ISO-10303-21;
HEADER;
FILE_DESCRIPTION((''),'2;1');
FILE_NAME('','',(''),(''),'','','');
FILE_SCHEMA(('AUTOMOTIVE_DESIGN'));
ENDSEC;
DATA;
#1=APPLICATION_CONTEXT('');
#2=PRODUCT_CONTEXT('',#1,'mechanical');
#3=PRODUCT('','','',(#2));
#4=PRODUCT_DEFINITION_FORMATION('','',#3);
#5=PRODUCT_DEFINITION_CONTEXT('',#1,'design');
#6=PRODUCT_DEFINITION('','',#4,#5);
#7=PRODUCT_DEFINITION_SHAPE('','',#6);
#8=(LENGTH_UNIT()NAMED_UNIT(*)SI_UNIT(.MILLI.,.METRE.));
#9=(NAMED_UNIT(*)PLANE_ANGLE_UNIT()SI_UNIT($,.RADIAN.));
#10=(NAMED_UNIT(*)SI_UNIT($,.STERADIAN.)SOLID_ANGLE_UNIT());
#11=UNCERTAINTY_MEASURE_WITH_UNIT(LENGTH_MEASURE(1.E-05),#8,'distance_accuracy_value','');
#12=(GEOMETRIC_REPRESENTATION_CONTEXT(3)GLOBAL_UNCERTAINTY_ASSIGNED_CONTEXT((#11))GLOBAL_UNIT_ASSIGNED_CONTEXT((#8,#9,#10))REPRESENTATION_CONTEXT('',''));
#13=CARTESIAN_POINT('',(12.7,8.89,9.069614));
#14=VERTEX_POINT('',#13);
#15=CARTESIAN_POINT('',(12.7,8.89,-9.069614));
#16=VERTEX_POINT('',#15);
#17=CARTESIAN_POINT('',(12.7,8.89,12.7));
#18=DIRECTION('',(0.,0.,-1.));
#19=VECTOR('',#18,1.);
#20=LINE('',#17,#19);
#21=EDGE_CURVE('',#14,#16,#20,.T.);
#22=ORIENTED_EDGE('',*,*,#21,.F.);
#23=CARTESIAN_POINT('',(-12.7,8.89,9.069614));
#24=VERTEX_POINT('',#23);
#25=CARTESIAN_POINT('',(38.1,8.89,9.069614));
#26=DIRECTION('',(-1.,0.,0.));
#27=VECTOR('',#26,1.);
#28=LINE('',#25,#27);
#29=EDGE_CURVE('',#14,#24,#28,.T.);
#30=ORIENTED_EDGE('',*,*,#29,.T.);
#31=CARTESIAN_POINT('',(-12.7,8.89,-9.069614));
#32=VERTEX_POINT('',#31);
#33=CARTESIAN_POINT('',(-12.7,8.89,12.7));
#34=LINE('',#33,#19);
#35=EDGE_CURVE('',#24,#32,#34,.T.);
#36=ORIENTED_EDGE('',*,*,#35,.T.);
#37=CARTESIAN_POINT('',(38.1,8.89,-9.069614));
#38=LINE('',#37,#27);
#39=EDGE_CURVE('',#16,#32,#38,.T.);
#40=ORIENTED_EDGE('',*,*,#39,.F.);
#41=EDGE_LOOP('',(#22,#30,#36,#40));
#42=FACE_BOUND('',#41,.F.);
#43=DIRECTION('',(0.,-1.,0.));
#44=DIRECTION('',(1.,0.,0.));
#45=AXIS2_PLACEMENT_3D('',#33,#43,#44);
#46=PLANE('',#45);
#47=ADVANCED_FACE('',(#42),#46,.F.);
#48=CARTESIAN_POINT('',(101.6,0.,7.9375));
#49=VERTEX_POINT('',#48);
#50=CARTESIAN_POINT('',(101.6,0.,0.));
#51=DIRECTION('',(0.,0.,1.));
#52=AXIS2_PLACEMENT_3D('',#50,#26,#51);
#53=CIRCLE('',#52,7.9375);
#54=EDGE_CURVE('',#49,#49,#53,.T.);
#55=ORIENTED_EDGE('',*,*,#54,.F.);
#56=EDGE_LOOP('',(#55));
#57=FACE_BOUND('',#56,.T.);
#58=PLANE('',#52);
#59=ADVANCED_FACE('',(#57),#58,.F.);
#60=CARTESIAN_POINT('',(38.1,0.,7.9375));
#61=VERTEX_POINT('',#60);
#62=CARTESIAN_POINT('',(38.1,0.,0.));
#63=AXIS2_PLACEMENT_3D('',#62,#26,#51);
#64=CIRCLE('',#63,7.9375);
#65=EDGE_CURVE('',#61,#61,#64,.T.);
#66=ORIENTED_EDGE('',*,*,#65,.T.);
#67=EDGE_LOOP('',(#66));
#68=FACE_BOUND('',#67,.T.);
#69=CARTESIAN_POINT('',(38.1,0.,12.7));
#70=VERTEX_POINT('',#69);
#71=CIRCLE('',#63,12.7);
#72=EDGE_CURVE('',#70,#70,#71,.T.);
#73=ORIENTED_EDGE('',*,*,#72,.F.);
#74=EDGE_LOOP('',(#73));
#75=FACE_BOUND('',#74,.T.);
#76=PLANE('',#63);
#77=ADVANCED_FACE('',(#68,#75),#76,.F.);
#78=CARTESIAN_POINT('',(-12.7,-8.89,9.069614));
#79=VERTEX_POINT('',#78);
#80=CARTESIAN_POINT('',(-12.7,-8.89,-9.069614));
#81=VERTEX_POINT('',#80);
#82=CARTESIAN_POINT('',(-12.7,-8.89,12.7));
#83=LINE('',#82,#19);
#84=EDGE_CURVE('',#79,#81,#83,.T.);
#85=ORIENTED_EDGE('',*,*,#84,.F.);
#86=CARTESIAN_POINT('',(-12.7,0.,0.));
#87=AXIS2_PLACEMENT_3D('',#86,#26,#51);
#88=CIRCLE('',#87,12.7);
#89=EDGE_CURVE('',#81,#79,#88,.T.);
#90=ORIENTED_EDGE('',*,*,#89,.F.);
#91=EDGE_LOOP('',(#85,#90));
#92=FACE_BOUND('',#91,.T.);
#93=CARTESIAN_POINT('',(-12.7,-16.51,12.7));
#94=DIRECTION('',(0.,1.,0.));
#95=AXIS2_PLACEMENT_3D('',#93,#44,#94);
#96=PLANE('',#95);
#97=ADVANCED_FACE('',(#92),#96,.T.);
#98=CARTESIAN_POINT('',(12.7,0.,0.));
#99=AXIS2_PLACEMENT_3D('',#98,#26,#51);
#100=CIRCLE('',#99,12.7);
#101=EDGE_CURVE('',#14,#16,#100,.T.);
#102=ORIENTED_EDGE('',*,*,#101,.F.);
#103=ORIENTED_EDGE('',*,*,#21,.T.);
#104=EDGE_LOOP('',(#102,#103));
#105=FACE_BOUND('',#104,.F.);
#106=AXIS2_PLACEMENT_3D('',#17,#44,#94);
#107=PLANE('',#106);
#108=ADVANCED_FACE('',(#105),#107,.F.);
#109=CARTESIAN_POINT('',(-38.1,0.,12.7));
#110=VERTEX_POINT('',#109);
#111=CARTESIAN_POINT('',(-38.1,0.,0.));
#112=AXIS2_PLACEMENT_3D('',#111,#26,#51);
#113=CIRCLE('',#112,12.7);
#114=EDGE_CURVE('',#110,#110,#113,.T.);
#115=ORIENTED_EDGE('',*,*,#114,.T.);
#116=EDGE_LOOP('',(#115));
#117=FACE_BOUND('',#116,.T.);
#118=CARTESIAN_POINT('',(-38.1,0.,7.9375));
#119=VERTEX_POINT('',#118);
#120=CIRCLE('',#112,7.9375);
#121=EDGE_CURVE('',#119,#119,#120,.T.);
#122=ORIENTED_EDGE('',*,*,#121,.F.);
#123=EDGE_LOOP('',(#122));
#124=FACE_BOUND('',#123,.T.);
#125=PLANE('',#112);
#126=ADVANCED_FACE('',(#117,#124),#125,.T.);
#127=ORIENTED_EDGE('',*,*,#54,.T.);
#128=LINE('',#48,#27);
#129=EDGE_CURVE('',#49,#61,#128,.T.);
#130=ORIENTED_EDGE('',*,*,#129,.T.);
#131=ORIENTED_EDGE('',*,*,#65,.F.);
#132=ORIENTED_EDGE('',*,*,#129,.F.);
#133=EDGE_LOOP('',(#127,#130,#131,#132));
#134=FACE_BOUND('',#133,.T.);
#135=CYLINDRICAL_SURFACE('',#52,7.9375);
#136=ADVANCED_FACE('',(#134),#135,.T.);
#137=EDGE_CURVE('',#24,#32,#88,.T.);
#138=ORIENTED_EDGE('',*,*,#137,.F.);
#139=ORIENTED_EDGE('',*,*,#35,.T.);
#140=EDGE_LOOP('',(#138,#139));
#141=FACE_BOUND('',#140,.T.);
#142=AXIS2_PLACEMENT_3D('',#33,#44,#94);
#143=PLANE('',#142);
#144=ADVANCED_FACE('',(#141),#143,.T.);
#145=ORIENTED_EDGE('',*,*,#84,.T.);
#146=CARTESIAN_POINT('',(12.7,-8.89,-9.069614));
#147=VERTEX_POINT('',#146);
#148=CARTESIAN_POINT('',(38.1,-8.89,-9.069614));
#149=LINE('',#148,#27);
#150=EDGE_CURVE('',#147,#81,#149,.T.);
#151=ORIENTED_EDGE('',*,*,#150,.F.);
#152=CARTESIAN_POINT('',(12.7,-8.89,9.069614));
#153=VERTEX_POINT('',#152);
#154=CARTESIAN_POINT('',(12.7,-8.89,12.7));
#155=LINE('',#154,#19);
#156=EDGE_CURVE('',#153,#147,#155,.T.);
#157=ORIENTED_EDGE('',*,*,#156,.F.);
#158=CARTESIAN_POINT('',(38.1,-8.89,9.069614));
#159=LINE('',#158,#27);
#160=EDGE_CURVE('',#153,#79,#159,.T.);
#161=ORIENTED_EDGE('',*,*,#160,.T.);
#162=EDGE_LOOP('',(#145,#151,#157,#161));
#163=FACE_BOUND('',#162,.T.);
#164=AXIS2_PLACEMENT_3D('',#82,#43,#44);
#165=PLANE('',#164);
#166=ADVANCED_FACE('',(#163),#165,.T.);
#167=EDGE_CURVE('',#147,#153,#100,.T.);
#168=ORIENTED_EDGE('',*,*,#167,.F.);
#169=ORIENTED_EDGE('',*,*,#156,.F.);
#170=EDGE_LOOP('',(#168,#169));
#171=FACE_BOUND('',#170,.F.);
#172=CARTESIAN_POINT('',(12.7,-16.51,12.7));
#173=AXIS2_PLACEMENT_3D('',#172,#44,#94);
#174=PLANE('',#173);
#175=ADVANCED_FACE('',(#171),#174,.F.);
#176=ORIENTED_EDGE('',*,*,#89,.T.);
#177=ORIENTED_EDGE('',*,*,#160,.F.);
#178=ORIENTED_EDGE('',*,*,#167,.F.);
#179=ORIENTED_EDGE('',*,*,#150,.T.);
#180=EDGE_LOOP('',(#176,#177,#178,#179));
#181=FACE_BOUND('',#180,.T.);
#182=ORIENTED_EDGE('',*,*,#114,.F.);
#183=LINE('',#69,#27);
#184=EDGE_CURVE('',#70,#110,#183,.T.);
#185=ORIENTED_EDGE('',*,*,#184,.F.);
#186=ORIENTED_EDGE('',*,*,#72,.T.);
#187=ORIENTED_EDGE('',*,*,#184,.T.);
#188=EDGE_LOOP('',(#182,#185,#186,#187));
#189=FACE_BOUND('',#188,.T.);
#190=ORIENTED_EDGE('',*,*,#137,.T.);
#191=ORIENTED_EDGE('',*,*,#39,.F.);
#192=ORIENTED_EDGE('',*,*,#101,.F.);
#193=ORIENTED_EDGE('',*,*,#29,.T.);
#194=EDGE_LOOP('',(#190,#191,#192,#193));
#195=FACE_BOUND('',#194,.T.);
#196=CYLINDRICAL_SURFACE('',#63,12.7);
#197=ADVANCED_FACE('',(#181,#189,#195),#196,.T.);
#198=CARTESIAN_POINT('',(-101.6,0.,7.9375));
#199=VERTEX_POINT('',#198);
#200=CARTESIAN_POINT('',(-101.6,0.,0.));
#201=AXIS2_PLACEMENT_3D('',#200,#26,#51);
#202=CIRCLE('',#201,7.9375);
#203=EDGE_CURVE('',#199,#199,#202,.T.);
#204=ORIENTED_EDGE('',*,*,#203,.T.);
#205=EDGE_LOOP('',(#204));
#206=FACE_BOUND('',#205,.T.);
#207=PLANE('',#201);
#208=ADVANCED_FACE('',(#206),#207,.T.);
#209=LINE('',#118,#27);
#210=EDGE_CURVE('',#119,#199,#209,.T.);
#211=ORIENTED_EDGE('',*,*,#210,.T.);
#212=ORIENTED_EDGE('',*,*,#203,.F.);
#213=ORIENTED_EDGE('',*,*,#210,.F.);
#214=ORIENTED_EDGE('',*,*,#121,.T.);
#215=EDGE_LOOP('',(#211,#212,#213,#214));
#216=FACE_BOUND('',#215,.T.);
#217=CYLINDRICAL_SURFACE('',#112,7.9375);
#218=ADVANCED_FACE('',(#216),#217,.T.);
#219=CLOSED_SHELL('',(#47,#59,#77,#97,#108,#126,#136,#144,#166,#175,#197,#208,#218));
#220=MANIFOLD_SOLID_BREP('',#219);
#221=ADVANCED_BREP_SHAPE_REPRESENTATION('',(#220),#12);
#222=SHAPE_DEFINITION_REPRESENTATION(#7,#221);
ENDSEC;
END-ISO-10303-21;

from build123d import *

# Parameters (mm, degrees)
F3_W     = 25.4
F3_H     = 7.62
F4_DEPTH = 25.4


with BuildPart() as f1:
    # F0 (on Front) → F1 (revolve)
    with BuildSketch(Plane.XZ):
        Polygon((-101.6, 7.9375), (-101.6, 0), (101.6, 0), (101.6, 7.9375), (38.1, 7.9375), (38.1, 12.7), (-38.1, 12.7), (-38.1, 7.9375), align=None)
    revolve(axis=Axis((0, 0, 0), (-1, 0, 0)))

    # F3 (on offset) → F4 (cut)
    with BuildSketch(Plane.XY.offset(12.7)):
        with Locations((0, 12.7)):
            Rectangle(F3_W, F3_H)
        with Locations((0, -12.7)):
            Rectangle(F3_W, F3_H)
    extrude(amount=-F4_DEPTH, mode=Mode.SUBTRACT)


solid = f1.part
